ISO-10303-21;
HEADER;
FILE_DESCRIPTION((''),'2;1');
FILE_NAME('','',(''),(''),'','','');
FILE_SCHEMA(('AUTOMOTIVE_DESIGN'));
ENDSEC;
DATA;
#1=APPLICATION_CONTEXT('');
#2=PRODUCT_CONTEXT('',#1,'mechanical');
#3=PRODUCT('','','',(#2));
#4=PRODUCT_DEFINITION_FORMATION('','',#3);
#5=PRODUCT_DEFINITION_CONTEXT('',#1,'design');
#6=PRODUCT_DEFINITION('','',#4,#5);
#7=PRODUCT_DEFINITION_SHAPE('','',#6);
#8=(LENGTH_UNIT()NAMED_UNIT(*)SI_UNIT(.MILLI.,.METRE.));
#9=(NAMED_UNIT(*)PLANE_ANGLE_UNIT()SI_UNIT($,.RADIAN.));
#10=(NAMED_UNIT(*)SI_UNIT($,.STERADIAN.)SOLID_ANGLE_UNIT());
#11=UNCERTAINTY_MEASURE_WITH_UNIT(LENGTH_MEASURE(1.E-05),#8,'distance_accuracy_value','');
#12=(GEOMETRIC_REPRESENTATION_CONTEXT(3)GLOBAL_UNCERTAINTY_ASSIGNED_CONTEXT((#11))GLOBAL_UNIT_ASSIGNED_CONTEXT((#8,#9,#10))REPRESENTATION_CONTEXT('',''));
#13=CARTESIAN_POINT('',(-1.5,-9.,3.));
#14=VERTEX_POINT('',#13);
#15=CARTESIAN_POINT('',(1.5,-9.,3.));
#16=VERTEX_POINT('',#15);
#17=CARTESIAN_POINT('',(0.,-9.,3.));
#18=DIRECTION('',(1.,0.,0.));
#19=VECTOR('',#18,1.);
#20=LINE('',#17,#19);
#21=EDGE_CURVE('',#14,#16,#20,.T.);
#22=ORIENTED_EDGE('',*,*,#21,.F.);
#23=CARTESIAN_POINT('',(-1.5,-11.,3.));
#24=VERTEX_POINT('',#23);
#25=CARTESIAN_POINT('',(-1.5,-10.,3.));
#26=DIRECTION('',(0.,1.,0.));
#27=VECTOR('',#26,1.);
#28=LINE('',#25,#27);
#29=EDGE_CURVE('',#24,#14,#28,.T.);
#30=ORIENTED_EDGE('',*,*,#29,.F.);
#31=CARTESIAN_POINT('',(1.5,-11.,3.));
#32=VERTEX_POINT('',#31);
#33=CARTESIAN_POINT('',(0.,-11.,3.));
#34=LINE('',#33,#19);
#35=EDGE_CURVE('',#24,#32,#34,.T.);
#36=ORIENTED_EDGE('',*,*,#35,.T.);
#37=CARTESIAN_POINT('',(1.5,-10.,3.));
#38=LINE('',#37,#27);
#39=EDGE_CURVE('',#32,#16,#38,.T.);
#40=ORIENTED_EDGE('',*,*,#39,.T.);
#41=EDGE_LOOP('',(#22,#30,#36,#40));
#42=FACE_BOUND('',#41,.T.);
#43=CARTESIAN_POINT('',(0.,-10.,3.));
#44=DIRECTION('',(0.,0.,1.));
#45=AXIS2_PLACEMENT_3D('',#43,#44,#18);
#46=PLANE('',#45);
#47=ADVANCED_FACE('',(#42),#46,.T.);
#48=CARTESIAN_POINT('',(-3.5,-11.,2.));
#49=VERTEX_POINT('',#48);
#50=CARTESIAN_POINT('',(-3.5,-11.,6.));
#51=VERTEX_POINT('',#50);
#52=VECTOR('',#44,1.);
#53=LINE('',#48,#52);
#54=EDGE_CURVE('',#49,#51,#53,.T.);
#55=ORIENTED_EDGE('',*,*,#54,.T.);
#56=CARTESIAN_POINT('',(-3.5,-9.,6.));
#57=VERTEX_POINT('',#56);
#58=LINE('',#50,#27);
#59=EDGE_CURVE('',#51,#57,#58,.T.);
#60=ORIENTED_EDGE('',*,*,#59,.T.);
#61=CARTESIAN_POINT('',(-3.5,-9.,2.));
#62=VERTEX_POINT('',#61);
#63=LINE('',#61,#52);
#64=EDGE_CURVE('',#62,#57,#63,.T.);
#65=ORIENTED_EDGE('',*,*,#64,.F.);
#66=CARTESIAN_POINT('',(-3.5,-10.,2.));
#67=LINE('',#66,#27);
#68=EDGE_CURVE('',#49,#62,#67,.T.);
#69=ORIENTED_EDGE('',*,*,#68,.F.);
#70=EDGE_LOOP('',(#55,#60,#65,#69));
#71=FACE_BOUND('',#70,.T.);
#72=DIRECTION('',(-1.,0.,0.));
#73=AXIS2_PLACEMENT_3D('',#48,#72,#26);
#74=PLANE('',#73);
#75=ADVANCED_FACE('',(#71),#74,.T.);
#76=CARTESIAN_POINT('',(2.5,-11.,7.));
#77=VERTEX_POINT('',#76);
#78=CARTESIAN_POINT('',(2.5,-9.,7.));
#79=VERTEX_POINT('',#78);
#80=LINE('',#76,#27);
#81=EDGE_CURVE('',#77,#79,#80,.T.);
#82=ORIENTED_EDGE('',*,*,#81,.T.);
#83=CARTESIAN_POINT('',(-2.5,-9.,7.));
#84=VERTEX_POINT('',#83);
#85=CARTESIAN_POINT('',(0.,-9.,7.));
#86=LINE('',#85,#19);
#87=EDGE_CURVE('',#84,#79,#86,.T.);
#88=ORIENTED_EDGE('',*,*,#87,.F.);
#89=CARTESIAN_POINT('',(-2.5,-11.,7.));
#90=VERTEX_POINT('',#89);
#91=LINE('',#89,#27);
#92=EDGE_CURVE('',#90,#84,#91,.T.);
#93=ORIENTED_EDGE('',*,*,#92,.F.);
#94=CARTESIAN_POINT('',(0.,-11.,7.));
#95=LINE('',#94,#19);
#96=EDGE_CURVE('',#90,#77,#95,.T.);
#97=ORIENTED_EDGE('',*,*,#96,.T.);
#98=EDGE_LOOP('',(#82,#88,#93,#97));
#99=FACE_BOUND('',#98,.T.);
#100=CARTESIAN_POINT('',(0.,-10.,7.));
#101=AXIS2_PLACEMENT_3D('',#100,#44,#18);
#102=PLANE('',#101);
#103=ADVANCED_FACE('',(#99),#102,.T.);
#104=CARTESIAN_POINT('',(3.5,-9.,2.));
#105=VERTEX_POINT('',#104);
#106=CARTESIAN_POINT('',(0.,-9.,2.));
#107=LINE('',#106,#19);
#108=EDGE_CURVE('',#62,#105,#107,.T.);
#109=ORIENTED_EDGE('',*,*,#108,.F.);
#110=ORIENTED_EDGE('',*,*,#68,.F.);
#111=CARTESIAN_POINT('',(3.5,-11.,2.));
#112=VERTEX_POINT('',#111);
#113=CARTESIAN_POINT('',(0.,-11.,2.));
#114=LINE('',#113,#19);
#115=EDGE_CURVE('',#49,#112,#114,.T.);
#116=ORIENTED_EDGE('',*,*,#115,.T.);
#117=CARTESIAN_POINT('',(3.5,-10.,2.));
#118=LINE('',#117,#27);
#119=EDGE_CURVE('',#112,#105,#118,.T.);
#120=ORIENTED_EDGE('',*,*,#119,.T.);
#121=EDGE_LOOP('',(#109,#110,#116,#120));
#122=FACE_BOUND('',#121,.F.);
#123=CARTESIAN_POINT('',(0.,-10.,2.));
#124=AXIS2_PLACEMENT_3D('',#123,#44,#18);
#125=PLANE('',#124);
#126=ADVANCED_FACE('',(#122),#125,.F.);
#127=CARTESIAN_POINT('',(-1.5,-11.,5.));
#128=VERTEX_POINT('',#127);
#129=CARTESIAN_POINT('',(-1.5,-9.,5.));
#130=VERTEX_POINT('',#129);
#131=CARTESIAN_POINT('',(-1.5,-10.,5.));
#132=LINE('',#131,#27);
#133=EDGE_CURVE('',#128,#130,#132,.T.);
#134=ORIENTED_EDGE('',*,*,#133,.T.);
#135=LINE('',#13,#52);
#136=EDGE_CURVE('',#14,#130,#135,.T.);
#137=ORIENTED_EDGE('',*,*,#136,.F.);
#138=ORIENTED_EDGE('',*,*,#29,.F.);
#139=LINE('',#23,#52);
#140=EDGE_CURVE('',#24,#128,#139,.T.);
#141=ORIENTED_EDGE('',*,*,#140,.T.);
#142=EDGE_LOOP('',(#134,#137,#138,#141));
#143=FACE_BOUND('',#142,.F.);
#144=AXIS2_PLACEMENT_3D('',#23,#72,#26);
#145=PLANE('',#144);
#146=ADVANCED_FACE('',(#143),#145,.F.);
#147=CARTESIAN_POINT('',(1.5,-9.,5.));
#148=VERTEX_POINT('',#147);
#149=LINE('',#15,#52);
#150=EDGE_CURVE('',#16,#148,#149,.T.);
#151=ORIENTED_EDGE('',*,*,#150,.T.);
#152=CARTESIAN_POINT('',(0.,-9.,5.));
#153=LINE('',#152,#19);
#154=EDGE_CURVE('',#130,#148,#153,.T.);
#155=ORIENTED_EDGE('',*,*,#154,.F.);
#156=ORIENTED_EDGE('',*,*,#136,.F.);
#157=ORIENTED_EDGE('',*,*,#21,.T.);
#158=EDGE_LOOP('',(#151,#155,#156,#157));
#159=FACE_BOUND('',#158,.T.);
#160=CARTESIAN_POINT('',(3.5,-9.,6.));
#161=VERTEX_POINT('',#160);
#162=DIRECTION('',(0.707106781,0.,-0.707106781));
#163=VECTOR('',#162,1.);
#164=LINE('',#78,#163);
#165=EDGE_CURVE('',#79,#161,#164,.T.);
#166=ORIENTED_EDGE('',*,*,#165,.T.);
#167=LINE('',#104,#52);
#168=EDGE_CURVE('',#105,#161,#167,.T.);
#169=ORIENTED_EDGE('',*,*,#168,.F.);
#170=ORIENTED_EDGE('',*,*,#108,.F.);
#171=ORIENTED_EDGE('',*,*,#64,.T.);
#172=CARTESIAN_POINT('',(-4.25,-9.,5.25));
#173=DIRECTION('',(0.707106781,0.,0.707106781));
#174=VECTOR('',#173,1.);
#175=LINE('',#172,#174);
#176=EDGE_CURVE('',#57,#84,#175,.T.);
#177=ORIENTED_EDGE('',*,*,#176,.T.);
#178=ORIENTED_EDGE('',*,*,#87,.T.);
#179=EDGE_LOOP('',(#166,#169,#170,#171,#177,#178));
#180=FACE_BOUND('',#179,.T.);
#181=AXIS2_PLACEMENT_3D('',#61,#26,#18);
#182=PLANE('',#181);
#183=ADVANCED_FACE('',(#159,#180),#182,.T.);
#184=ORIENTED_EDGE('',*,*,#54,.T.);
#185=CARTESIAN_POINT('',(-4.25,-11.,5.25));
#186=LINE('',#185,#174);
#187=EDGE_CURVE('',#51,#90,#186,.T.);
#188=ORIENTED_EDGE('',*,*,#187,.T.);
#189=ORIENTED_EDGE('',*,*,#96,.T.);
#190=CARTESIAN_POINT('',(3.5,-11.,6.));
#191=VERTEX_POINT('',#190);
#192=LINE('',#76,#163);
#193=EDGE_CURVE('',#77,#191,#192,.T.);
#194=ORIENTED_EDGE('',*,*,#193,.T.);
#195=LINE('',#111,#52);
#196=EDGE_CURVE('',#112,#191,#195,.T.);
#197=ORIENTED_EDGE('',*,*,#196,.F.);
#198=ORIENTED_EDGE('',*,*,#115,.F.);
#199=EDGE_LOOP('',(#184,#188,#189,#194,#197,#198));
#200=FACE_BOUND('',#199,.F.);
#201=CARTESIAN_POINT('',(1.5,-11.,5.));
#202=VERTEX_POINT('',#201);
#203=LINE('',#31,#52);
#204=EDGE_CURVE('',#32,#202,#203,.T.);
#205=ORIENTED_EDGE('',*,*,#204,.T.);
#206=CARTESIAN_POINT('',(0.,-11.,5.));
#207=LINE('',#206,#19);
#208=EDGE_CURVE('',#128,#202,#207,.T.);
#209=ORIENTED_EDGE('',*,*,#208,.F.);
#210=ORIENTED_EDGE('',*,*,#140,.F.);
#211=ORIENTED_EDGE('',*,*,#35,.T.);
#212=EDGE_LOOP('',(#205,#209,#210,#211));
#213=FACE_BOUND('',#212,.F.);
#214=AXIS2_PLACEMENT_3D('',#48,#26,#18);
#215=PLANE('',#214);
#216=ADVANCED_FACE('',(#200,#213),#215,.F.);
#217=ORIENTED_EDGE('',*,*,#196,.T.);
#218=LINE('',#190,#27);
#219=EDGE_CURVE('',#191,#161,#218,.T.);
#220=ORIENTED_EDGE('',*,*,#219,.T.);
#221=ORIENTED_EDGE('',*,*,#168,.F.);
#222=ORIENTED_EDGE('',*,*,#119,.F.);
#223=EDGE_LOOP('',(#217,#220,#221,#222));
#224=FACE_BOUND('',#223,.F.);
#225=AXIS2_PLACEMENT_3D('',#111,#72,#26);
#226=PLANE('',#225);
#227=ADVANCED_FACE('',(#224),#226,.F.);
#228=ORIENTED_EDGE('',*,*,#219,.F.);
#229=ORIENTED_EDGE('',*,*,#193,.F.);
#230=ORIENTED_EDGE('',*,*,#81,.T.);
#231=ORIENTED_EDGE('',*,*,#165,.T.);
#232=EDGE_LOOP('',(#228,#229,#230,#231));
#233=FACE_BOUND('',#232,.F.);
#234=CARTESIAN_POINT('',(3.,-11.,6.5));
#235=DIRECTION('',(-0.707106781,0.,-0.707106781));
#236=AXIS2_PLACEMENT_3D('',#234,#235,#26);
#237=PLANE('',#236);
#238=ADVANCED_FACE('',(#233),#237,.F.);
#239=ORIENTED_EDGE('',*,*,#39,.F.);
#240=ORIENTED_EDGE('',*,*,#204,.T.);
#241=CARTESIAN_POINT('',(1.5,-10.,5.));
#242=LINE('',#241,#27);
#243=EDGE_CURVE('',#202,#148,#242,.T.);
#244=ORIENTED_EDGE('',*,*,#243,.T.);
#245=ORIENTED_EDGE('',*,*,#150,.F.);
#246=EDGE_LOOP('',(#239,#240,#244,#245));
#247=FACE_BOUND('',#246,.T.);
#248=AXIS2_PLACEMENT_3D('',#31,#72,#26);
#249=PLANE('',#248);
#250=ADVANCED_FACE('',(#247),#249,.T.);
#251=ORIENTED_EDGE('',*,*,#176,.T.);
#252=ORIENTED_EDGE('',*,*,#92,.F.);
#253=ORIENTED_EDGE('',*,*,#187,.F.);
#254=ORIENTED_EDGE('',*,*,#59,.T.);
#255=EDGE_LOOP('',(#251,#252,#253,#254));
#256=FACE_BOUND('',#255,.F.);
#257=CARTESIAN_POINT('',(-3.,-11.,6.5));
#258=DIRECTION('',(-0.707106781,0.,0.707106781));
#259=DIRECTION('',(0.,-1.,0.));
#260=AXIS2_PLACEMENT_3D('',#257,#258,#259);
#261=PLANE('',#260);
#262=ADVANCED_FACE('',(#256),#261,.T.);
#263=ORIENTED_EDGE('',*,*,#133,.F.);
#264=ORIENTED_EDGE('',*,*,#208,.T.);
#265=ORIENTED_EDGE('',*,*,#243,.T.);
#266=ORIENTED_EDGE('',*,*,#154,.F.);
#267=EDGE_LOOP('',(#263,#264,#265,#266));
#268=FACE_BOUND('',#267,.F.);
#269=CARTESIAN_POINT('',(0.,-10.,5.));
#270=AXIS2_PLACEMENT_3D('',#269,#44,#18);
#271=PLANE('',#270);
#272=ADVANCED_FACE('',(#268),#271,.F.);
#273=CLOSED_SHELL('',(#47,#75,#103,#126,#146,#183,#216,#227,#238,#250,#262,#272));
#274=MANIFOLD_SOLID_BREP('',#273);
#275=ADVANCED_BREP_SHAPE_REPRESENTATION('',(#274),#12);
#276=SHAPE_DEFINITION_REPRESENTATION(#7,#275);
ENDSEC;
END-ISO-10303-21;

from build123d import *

# Parameters (mm, degrees)
BOX001_W     = 3
BOX001_H     = 2
BOX001_DEPTH = 2
BOX_W        = 7
BOX_H        = 2
BOX_DEPTH    = 5
CHAMFER_SIZE = 1


with BuildPart() as cube001:
    # Box001 → Box001 (new body)
    with BuildSketch(Plane(origin=(-1.5, -2, 3), x_dir=(1, 0, 0), z_dir=(0, 0, 1))):
        with Locations((1.5, 1)):
            Rectangle(BOX001_W, BOX001_H)
    extrude(amount=BOX001_DEPTH)


with BuildPart() as chamfer_body:
    # Box → Box (new body)
    with BuildSketch(Plane(origin=(-3.5, -2, 2), x_dir=(1, 0, 0), z_dir=(0, 0, 1))):
        with Locations((3.5, 1)):
            Rectangle(BOX_W, BOX_H)
    extrude(amount=BOX_DEPTH)

    # Cut: cut Cube001
    add(cube001.part, mode=Mode.SUBTRACT)

    # Chamfer
    chamfer_edges = [chamfer_body.edges().sort_by_distance(p)[0] for p in [
        (-3.5, -1, 7),
        (3.5, -1, 7),
    ]]
    chamfer(chamfer_edges, length=CHAMFER_SIZE)


with BuildPart() as chamfer_body_1:
    # Chamfer placement: moved
    add(chamfer_body.part.moved(Location((0, -9, 0))))


solid = chamfer_body_1.part
